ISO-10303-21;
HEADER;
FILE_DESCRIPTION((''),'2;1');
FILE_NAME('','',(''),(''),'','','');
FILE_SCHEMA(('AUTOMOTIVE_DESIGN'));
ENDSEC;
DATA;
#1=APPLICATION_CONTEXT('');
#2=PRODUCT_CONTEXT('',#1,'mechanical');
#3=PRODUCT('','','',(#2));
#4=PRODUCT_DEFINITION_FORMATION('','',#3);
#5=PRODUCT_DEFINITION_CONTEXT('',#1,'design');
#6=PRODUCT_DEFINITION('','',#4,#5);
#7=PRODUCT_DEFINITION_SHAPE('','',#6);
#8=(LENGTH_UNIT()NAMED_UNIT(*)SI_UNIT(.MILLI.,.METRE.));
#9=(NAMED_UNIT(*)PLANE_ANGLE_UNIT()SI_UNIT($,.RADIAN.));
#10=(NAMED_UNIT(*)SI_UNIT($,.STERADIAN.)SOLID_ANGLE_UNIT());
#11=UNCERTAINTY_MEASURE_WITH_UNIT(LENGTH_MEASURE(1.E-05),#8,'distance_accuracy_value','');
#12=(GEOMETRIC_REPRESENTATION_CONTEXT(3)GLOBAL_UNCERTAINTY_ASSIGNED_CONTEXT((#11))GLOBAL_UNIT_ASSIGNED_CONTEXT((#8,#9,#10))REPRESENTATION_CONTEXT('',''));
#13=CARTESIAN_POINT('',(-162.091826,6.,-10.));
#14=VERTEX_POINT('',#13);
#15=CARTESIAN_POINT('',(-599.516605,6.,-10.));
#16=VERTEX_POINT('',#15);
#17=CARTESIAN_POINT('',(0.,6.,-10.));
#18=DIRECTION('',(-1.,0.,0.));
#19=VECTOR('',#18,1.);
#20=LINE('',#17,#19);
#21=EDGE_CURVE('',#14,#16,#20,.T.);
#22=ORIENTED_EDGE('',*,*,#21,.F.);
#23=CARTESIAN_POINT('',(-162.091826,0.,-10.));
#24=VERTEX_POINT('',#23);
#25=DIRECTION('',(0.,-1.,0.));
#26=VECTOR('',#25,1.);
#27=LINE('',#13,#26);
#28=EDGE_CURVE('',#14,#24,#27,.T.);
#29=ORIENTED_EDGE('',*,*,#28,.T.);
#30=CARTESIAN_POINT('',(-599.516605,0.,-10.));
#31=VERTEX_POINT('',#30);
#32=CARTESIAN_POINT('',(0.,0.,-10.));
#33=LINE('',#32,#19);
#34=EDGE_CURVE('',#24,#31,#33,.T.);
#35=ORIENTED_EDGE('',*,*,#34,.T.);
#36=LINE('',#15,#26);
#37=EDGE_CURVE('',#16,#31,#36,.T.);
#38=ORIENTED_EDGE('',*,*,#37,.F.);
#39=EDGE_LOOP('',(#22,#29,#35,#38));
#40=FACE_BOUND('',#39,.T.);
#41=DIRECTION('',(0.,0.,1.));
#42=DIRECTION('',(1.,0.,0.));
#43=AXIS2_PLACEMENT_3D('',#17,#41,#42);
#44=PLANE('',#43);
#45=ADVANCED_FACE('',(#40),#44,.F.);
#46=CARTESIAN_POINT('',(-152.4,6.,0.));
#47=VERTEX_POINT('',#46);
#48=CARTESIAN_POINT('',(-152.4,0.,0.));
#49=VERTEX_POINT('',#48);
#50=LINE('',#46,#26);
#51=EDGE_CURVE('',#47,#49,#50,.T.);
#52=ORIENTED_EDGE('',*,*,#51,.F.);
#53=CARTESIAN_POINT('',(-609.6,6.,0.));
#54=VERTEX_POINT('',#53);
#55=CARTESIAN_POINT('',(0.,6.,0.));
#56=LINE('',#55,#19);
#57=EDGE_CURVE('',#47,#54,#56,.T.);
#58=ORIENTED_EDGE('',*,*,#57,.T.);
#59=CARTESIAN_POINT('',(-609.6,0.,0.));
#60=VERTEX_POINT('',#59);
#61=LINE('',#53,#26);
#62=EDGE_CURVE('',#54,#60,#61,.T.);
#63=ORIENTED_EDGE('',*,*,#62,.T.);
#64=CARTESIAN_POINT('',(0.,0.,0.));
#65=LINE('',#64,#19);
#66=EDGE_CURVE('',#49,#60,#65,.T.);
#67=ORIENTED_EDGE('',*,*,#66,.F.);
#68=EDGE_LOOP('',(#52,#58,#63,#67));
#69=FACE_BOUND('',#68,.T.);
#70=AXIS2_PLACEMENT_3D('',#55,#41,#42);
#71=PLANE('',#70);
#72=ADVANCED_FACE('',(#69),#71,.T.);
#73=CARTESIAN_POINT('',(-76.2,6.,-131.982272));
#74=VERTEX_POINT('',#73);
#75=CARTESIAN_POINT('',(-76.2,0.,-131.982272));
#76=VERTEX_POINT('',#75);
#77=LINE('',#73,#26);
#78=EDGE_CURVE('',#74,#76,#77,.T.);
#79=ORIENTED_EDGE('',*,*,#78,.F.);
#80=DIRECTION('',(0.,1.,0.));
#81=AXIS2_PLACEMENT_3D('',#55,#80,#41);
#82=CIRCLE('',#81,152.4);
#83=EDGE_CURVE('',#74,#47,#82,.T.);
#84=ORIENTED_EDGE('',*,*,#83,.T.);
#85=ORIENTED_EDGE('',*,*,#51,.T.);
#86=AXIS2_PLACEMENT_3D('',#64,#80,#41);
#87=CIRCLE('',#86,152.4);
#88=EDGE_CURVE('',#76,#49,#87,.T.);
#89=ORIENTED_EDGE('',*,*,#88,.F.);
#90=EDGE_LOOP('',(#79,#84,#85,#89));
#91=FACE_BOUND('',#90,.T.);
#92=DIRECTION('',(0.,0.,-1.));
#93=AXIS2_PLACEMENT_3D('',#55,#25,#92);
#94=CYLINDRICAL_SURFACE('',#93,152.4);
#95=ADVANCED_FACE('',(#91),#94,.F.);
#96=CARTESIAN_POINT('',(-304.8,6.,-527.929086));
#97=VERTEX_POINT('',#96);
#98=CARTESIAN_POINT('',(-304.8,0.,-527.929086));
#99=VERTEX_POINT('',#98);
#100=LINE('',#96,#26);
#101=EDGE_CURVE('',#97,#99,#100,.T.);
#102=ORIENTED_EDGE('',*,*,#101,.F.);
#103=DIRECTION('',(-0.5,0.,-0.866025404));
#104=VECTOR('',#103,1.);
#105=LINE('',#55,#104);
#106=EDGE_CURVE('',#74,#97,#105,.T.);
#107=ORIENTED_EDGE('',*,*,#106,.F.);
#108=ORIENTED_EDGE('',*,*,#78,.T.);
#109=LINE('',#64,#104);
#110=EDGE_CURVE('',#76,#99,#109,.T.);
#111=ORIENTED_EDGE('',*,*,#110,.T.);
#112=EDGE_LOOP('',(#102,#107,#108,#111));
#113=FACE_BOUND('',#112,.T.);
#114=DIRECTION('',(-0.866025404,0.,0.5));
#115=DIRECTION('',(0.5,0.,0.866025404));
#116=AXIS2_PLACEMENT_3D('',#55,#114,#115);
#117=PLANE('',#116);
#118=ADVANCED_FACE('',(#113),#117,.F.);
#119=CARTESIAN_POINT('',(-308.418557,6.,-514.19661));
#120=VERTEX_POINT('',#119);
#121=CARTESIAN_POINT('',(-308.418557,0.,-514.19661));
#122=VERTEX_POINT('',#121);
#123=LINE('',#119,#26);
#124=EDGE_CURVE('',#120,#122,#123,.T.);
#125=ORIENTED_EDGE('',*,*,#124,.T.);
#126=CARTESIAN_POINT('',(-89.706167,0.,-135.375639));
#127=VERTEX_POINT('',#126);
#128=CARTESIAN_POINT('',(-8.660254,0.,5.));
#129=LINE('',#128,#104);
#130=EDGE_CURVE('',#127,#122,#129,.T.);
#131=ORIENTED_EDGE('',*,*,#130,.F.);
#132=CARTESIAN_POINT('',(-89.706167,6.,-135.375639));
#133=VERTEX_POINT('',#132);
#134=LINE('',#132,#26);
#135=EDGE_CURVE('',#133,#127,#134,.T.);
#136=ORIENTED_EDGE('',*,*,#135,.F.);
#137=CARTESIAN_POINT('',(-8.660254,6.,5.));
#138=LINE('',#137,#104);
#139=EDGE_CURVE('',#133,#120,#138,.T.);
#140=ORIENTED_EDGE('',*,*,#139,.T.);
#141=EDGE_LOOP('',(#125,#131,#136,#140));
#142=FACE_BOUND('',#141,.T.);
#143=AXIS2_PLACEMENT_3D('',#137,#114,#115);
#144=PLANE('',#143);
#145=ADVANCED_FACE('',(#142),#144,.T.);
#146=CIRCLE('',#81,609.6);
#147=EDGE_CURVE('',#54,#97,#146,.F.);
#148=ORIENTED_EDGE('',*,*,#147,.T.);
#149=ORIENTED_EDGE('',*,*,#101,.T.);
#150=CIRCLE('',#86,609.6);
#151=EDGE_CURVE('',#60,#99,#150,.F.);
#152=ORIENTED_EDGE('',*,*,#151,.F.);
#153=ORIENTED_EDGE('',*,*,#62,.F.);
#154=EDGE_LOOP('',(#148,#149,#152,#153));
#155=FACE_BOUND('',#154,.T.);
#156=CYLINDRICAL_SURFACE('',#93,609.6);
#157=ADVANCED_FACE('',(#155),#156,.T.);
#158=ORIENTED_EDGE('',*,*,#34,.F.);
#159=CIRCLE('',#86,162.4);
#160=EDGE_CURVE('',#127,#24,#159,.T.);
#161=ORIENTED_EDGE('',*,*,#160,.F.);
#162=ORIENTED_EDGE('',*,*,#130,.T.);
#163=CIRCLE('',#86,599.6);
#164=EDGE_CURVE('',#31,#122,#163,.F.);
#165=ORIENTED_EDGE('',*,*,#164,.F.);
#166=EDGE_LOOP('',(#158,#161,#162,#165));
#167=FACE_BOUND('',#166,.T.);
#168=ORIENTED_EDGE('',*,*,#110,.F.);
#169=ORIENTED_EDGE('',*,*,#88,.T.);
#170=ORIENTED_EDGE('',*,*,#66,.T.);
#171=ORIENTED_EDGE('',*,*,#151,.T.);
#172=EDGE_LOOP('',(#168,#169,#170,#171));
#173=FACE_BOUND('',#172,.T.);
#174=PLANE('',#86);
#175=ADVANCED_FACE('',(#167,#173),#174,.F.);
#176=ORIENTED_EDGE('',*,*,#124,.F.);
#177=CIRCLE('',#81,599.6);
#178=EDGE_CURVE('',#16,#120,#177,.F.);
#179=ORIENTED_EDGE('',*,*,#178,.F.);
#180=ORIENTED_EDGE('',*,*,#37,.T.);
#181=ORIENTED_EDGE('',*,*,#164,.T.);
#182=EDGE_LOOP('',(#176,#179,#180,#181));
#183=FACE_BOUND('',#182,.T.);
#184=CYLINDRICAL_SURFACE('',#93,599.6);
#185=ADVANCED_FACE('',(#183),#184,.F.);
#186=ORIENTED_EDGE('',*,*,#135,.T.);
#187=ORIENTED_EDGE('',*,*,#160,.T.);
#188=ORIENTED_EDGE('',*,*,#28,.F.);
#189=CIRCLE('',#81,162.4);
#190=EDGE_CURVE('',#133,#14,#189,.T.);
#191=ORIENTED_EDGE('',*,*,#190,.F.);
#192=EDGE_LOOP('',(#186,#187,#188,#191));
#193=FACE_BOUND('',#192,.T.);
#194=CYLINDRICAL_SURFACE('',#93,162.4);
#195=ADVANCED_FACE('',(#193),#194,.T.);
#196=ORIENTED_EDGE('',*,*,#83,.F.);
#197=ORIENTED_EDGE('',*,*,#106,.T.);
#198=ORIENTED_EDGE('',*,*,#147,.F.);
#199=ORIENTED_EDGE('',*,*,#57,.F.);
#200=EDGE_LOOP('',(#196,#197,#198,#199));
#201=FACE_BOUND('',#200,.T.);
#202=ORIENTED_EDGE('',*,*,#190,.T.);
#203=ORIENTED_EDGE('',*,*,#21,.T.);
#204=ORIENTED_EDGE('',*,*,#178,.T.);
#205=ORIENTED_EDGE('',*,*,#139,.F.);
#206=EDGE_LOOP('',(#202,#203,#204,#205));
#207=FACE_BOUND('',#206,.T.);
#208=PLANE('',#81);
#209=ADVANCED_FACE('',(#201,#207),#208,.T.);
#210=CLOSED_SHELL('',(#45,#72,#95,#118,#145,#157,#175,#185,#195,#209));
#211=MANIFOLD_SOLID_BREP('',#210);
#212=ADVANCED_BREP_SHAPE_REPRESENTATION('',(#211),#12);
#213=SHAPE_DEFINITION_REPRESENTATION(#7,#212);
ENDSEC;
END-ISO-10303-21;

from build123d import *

# Parameters (mm, degrees)
BOSS_EXTRUDE1_DEPTH = 6


with BuildPart() as part:
    # Sketch1 → Boss-Extrude1 (new body)
    with BuildSketch(Plane(origin=(0, 0, 0), x_dir=(1, 0, 0), z_dir=(0, 1, 0))):
        with BuildLine():
            ThreePointArc((-76.2, 131.982271537), (-131.982271537, 76.2), (-152.4, 0))
            Line((-152.4, 0), (-609.6, 0))
            ThreePointArc((-609.6, 0), (-527.929086147, 304.8), (-304.8, 527.929086147))
            Line((-304.8, 527.929086147), (-76.2, 131.982271537))
        make_face()
        with BuildLine():
            ThreePointArc((-599.516605275, 10), (-578.516992176, 157.601553812), (-521.750777563, 295.459449184))
            ThreePointArc((-521.750777563, 295.459449184), (-519.268832109, 299.8), (-516.750777563, 304.119703222))
            ThreePointArc((-516.750777563, 304.119703222), (-425.745445365, 422.209634839), (-308.418556675, 514.196610158))
            Line((-308.418556675, 514.196610158), (-176.260254038, 285.291715349))
            Line((-176.260254038, 285.291715349), (-171.260254038, 276.631461311))
            Line((-171.260254038, 276.631461311), (-89.706166951, 135.375638912))
            ThreePointArc((-89.706166951, 135.375638912), (-140.642525575, 81.2), (-162.091825827, 10))
            Line((-162.091825827, 10), (-325.2, 10))
            Line((-325.2, 10), (-335.2, 10))
            Line((-335.2, 10), (-599.516605275, 10))
        make_face(mode=Mode.SUBTRACT)
    extrude(amount=BOSS_EXTRUDE1_DEPTH)


solid = part.part
